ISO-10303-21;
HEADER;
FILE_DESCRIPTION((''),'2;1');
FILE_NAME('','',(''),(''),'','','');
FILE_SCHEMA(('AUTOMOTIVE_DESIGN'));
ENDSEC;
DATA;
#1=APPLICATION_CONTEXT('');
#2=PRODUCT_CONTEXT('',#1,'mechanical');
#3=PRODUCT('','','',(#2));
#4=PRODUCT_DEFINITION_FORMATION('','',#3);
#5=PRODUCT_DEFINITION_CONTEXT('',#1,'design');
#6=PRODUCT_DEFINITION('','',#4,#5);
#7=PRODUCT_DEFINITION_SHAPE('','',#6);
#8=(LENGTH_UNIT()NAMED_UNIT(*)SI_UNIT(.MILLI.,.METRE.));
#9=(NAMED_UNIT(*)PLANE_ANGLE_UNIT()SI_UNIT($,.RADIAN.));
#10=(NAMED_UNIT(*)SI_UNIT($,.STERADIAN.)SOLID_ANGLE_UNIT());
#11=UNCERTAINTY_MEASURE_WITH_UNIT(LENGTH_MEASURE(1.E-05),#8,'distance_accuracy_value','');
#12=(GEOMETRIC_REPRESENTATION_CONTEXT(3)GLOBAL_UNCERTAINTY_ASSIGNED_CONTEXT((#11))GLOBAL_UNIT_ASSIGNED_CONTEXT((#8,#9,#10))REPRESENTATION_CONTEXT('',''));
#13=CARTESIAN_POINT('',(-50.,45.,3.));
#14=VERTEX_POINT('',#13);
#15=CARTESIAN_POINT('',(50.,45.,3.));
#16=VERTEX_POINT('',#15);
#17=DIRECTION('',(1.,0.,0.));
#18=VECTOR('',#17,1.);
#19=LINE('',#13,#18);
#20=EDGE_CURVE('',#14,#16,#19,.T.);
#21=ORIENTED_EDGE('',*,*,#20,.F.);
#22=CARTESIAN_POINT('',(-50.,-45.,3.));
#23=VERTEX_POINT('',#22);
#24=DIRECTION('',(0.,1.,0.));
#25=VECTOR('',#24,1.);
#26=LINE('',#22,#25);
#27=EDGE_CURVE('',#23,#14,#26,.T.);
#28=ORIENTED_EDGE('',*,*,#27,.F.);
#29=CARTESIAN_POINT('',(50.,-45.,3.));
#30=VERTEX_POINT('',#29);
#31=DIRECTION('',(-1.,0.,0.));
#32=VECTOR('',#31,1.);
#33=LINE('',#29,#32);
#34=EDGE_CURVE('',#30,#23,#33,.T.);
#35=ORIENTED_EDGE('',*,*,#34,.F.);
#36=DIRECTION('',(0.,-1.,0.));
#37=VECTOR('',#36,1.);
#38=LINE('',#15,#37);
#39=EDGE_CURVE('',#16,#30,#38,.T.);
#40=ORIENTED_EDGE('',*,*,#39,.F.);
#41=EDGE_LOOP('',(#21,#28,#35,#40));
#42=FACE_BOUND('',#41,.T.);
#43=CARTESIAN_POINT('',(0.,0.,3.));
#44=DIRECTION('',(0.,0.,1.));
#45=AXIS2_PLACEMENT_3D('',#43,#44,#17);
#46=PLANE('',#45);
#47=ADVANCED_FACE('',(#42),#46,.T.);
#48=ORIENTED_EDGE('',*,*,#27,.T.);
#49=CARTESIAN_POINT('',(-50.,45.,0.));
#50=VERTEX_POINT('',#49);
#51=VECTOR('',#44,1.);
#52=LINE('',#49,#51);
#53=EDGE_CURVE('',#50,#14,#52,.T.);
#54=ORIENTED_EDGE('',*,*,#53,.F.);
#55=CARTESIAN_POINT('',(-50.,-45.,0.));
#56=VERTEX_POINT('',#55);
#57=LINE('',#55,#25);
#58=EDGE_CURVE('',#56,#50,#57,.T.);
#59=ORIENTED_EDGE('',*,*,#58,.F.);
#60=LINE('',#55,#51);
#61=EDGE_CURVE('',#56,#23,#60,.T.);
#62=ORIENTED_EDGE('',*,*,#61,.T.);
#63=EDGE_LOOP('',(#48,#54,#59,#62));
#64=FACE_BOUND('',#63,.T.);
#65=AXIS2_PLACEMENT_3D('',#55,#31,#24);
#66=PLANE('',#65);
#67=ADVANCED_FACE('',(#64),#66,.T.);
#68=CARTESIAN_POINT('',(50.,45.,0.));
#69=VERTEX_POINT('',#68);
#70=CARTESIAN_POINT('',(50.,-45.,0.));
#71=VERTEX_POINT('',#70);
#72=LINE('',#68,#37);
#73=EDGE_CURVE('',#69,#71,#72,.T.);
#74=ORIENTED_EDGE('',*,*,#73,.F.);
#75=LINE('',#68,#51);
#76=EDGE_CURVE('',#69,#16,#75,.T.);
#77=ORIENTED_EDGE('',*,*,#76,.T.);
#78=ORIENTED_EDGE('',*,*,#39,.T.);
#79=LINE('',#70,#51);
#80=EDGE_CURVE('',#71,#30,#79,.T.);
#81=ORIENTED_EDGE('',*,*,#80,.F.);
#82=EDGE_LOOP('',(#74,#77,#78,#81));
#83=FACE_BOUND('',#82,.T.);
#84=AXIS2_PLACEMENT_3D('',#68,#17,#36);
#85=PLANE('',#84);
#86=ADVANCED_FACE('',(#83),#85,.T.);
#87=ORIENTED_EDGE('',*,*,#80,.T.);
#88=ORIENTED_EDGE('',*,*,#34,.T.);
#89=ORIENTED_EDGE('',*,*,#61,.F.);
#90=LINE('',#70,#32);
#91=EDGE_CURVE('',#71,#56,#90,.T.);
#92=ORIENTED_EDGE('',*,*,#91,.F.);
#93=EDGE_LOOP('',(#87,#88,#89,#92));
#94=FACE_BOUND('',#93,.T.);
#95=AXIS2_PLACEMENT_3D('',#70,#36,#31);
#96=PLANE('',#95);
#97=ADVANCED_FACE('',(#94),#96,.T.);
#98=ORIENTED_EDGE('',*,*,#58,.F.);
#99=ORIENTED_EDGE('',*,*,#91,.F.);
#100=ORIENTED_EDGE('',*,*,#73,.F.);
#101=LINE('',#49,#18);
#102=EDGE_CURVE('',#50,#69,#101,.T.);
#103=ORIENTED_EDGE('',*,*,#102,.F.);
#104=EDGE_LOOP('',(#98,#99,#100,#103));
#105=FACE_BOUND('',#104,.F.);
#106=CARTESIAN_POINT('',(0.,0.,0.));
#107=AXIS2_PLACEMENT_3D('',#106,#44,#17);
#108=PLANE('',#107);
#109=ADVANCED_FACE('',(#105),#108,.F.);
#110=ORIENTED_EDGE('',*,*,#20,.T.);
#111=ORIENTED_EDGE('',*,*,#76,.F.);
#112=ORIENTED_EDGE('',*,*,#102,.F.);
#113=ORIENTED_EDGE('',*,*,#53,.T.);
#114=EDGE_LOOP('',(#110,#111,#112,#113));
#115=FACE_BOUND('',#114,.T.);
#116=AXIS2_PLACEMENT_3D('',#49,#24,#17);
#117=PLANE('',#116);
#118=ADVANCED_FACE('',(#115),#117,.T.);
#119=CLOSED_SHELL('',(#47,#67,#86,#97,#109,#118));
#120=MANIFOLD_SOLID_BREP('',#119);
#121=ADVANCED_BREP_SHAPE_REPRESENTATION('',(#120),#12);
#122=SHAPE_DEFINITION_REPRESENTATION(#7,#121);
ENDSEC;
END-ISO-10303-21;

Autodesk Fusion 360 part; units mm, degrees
sketch "Boceto1" plane through (0, 0, 0) normal (0, 0, 1) x (1, 0, 0)
  line L0 (50, -45) -> (-50, -45)
  line L1 (-50, -45) -> (-50, 45)
  line L2 (-50, 45) -> (50, 45)
  line L3 (50, 45) -> (50, -45)
  line L4 (50, -45) -> (-50, 45) construction
  line L5 (-50, -45) -> (50, 45) construction
  dimension "d1" = 100
  dimension "d2" = 90
extrude "Extruir1" add sketch "Boceto1" along normal blind 3
